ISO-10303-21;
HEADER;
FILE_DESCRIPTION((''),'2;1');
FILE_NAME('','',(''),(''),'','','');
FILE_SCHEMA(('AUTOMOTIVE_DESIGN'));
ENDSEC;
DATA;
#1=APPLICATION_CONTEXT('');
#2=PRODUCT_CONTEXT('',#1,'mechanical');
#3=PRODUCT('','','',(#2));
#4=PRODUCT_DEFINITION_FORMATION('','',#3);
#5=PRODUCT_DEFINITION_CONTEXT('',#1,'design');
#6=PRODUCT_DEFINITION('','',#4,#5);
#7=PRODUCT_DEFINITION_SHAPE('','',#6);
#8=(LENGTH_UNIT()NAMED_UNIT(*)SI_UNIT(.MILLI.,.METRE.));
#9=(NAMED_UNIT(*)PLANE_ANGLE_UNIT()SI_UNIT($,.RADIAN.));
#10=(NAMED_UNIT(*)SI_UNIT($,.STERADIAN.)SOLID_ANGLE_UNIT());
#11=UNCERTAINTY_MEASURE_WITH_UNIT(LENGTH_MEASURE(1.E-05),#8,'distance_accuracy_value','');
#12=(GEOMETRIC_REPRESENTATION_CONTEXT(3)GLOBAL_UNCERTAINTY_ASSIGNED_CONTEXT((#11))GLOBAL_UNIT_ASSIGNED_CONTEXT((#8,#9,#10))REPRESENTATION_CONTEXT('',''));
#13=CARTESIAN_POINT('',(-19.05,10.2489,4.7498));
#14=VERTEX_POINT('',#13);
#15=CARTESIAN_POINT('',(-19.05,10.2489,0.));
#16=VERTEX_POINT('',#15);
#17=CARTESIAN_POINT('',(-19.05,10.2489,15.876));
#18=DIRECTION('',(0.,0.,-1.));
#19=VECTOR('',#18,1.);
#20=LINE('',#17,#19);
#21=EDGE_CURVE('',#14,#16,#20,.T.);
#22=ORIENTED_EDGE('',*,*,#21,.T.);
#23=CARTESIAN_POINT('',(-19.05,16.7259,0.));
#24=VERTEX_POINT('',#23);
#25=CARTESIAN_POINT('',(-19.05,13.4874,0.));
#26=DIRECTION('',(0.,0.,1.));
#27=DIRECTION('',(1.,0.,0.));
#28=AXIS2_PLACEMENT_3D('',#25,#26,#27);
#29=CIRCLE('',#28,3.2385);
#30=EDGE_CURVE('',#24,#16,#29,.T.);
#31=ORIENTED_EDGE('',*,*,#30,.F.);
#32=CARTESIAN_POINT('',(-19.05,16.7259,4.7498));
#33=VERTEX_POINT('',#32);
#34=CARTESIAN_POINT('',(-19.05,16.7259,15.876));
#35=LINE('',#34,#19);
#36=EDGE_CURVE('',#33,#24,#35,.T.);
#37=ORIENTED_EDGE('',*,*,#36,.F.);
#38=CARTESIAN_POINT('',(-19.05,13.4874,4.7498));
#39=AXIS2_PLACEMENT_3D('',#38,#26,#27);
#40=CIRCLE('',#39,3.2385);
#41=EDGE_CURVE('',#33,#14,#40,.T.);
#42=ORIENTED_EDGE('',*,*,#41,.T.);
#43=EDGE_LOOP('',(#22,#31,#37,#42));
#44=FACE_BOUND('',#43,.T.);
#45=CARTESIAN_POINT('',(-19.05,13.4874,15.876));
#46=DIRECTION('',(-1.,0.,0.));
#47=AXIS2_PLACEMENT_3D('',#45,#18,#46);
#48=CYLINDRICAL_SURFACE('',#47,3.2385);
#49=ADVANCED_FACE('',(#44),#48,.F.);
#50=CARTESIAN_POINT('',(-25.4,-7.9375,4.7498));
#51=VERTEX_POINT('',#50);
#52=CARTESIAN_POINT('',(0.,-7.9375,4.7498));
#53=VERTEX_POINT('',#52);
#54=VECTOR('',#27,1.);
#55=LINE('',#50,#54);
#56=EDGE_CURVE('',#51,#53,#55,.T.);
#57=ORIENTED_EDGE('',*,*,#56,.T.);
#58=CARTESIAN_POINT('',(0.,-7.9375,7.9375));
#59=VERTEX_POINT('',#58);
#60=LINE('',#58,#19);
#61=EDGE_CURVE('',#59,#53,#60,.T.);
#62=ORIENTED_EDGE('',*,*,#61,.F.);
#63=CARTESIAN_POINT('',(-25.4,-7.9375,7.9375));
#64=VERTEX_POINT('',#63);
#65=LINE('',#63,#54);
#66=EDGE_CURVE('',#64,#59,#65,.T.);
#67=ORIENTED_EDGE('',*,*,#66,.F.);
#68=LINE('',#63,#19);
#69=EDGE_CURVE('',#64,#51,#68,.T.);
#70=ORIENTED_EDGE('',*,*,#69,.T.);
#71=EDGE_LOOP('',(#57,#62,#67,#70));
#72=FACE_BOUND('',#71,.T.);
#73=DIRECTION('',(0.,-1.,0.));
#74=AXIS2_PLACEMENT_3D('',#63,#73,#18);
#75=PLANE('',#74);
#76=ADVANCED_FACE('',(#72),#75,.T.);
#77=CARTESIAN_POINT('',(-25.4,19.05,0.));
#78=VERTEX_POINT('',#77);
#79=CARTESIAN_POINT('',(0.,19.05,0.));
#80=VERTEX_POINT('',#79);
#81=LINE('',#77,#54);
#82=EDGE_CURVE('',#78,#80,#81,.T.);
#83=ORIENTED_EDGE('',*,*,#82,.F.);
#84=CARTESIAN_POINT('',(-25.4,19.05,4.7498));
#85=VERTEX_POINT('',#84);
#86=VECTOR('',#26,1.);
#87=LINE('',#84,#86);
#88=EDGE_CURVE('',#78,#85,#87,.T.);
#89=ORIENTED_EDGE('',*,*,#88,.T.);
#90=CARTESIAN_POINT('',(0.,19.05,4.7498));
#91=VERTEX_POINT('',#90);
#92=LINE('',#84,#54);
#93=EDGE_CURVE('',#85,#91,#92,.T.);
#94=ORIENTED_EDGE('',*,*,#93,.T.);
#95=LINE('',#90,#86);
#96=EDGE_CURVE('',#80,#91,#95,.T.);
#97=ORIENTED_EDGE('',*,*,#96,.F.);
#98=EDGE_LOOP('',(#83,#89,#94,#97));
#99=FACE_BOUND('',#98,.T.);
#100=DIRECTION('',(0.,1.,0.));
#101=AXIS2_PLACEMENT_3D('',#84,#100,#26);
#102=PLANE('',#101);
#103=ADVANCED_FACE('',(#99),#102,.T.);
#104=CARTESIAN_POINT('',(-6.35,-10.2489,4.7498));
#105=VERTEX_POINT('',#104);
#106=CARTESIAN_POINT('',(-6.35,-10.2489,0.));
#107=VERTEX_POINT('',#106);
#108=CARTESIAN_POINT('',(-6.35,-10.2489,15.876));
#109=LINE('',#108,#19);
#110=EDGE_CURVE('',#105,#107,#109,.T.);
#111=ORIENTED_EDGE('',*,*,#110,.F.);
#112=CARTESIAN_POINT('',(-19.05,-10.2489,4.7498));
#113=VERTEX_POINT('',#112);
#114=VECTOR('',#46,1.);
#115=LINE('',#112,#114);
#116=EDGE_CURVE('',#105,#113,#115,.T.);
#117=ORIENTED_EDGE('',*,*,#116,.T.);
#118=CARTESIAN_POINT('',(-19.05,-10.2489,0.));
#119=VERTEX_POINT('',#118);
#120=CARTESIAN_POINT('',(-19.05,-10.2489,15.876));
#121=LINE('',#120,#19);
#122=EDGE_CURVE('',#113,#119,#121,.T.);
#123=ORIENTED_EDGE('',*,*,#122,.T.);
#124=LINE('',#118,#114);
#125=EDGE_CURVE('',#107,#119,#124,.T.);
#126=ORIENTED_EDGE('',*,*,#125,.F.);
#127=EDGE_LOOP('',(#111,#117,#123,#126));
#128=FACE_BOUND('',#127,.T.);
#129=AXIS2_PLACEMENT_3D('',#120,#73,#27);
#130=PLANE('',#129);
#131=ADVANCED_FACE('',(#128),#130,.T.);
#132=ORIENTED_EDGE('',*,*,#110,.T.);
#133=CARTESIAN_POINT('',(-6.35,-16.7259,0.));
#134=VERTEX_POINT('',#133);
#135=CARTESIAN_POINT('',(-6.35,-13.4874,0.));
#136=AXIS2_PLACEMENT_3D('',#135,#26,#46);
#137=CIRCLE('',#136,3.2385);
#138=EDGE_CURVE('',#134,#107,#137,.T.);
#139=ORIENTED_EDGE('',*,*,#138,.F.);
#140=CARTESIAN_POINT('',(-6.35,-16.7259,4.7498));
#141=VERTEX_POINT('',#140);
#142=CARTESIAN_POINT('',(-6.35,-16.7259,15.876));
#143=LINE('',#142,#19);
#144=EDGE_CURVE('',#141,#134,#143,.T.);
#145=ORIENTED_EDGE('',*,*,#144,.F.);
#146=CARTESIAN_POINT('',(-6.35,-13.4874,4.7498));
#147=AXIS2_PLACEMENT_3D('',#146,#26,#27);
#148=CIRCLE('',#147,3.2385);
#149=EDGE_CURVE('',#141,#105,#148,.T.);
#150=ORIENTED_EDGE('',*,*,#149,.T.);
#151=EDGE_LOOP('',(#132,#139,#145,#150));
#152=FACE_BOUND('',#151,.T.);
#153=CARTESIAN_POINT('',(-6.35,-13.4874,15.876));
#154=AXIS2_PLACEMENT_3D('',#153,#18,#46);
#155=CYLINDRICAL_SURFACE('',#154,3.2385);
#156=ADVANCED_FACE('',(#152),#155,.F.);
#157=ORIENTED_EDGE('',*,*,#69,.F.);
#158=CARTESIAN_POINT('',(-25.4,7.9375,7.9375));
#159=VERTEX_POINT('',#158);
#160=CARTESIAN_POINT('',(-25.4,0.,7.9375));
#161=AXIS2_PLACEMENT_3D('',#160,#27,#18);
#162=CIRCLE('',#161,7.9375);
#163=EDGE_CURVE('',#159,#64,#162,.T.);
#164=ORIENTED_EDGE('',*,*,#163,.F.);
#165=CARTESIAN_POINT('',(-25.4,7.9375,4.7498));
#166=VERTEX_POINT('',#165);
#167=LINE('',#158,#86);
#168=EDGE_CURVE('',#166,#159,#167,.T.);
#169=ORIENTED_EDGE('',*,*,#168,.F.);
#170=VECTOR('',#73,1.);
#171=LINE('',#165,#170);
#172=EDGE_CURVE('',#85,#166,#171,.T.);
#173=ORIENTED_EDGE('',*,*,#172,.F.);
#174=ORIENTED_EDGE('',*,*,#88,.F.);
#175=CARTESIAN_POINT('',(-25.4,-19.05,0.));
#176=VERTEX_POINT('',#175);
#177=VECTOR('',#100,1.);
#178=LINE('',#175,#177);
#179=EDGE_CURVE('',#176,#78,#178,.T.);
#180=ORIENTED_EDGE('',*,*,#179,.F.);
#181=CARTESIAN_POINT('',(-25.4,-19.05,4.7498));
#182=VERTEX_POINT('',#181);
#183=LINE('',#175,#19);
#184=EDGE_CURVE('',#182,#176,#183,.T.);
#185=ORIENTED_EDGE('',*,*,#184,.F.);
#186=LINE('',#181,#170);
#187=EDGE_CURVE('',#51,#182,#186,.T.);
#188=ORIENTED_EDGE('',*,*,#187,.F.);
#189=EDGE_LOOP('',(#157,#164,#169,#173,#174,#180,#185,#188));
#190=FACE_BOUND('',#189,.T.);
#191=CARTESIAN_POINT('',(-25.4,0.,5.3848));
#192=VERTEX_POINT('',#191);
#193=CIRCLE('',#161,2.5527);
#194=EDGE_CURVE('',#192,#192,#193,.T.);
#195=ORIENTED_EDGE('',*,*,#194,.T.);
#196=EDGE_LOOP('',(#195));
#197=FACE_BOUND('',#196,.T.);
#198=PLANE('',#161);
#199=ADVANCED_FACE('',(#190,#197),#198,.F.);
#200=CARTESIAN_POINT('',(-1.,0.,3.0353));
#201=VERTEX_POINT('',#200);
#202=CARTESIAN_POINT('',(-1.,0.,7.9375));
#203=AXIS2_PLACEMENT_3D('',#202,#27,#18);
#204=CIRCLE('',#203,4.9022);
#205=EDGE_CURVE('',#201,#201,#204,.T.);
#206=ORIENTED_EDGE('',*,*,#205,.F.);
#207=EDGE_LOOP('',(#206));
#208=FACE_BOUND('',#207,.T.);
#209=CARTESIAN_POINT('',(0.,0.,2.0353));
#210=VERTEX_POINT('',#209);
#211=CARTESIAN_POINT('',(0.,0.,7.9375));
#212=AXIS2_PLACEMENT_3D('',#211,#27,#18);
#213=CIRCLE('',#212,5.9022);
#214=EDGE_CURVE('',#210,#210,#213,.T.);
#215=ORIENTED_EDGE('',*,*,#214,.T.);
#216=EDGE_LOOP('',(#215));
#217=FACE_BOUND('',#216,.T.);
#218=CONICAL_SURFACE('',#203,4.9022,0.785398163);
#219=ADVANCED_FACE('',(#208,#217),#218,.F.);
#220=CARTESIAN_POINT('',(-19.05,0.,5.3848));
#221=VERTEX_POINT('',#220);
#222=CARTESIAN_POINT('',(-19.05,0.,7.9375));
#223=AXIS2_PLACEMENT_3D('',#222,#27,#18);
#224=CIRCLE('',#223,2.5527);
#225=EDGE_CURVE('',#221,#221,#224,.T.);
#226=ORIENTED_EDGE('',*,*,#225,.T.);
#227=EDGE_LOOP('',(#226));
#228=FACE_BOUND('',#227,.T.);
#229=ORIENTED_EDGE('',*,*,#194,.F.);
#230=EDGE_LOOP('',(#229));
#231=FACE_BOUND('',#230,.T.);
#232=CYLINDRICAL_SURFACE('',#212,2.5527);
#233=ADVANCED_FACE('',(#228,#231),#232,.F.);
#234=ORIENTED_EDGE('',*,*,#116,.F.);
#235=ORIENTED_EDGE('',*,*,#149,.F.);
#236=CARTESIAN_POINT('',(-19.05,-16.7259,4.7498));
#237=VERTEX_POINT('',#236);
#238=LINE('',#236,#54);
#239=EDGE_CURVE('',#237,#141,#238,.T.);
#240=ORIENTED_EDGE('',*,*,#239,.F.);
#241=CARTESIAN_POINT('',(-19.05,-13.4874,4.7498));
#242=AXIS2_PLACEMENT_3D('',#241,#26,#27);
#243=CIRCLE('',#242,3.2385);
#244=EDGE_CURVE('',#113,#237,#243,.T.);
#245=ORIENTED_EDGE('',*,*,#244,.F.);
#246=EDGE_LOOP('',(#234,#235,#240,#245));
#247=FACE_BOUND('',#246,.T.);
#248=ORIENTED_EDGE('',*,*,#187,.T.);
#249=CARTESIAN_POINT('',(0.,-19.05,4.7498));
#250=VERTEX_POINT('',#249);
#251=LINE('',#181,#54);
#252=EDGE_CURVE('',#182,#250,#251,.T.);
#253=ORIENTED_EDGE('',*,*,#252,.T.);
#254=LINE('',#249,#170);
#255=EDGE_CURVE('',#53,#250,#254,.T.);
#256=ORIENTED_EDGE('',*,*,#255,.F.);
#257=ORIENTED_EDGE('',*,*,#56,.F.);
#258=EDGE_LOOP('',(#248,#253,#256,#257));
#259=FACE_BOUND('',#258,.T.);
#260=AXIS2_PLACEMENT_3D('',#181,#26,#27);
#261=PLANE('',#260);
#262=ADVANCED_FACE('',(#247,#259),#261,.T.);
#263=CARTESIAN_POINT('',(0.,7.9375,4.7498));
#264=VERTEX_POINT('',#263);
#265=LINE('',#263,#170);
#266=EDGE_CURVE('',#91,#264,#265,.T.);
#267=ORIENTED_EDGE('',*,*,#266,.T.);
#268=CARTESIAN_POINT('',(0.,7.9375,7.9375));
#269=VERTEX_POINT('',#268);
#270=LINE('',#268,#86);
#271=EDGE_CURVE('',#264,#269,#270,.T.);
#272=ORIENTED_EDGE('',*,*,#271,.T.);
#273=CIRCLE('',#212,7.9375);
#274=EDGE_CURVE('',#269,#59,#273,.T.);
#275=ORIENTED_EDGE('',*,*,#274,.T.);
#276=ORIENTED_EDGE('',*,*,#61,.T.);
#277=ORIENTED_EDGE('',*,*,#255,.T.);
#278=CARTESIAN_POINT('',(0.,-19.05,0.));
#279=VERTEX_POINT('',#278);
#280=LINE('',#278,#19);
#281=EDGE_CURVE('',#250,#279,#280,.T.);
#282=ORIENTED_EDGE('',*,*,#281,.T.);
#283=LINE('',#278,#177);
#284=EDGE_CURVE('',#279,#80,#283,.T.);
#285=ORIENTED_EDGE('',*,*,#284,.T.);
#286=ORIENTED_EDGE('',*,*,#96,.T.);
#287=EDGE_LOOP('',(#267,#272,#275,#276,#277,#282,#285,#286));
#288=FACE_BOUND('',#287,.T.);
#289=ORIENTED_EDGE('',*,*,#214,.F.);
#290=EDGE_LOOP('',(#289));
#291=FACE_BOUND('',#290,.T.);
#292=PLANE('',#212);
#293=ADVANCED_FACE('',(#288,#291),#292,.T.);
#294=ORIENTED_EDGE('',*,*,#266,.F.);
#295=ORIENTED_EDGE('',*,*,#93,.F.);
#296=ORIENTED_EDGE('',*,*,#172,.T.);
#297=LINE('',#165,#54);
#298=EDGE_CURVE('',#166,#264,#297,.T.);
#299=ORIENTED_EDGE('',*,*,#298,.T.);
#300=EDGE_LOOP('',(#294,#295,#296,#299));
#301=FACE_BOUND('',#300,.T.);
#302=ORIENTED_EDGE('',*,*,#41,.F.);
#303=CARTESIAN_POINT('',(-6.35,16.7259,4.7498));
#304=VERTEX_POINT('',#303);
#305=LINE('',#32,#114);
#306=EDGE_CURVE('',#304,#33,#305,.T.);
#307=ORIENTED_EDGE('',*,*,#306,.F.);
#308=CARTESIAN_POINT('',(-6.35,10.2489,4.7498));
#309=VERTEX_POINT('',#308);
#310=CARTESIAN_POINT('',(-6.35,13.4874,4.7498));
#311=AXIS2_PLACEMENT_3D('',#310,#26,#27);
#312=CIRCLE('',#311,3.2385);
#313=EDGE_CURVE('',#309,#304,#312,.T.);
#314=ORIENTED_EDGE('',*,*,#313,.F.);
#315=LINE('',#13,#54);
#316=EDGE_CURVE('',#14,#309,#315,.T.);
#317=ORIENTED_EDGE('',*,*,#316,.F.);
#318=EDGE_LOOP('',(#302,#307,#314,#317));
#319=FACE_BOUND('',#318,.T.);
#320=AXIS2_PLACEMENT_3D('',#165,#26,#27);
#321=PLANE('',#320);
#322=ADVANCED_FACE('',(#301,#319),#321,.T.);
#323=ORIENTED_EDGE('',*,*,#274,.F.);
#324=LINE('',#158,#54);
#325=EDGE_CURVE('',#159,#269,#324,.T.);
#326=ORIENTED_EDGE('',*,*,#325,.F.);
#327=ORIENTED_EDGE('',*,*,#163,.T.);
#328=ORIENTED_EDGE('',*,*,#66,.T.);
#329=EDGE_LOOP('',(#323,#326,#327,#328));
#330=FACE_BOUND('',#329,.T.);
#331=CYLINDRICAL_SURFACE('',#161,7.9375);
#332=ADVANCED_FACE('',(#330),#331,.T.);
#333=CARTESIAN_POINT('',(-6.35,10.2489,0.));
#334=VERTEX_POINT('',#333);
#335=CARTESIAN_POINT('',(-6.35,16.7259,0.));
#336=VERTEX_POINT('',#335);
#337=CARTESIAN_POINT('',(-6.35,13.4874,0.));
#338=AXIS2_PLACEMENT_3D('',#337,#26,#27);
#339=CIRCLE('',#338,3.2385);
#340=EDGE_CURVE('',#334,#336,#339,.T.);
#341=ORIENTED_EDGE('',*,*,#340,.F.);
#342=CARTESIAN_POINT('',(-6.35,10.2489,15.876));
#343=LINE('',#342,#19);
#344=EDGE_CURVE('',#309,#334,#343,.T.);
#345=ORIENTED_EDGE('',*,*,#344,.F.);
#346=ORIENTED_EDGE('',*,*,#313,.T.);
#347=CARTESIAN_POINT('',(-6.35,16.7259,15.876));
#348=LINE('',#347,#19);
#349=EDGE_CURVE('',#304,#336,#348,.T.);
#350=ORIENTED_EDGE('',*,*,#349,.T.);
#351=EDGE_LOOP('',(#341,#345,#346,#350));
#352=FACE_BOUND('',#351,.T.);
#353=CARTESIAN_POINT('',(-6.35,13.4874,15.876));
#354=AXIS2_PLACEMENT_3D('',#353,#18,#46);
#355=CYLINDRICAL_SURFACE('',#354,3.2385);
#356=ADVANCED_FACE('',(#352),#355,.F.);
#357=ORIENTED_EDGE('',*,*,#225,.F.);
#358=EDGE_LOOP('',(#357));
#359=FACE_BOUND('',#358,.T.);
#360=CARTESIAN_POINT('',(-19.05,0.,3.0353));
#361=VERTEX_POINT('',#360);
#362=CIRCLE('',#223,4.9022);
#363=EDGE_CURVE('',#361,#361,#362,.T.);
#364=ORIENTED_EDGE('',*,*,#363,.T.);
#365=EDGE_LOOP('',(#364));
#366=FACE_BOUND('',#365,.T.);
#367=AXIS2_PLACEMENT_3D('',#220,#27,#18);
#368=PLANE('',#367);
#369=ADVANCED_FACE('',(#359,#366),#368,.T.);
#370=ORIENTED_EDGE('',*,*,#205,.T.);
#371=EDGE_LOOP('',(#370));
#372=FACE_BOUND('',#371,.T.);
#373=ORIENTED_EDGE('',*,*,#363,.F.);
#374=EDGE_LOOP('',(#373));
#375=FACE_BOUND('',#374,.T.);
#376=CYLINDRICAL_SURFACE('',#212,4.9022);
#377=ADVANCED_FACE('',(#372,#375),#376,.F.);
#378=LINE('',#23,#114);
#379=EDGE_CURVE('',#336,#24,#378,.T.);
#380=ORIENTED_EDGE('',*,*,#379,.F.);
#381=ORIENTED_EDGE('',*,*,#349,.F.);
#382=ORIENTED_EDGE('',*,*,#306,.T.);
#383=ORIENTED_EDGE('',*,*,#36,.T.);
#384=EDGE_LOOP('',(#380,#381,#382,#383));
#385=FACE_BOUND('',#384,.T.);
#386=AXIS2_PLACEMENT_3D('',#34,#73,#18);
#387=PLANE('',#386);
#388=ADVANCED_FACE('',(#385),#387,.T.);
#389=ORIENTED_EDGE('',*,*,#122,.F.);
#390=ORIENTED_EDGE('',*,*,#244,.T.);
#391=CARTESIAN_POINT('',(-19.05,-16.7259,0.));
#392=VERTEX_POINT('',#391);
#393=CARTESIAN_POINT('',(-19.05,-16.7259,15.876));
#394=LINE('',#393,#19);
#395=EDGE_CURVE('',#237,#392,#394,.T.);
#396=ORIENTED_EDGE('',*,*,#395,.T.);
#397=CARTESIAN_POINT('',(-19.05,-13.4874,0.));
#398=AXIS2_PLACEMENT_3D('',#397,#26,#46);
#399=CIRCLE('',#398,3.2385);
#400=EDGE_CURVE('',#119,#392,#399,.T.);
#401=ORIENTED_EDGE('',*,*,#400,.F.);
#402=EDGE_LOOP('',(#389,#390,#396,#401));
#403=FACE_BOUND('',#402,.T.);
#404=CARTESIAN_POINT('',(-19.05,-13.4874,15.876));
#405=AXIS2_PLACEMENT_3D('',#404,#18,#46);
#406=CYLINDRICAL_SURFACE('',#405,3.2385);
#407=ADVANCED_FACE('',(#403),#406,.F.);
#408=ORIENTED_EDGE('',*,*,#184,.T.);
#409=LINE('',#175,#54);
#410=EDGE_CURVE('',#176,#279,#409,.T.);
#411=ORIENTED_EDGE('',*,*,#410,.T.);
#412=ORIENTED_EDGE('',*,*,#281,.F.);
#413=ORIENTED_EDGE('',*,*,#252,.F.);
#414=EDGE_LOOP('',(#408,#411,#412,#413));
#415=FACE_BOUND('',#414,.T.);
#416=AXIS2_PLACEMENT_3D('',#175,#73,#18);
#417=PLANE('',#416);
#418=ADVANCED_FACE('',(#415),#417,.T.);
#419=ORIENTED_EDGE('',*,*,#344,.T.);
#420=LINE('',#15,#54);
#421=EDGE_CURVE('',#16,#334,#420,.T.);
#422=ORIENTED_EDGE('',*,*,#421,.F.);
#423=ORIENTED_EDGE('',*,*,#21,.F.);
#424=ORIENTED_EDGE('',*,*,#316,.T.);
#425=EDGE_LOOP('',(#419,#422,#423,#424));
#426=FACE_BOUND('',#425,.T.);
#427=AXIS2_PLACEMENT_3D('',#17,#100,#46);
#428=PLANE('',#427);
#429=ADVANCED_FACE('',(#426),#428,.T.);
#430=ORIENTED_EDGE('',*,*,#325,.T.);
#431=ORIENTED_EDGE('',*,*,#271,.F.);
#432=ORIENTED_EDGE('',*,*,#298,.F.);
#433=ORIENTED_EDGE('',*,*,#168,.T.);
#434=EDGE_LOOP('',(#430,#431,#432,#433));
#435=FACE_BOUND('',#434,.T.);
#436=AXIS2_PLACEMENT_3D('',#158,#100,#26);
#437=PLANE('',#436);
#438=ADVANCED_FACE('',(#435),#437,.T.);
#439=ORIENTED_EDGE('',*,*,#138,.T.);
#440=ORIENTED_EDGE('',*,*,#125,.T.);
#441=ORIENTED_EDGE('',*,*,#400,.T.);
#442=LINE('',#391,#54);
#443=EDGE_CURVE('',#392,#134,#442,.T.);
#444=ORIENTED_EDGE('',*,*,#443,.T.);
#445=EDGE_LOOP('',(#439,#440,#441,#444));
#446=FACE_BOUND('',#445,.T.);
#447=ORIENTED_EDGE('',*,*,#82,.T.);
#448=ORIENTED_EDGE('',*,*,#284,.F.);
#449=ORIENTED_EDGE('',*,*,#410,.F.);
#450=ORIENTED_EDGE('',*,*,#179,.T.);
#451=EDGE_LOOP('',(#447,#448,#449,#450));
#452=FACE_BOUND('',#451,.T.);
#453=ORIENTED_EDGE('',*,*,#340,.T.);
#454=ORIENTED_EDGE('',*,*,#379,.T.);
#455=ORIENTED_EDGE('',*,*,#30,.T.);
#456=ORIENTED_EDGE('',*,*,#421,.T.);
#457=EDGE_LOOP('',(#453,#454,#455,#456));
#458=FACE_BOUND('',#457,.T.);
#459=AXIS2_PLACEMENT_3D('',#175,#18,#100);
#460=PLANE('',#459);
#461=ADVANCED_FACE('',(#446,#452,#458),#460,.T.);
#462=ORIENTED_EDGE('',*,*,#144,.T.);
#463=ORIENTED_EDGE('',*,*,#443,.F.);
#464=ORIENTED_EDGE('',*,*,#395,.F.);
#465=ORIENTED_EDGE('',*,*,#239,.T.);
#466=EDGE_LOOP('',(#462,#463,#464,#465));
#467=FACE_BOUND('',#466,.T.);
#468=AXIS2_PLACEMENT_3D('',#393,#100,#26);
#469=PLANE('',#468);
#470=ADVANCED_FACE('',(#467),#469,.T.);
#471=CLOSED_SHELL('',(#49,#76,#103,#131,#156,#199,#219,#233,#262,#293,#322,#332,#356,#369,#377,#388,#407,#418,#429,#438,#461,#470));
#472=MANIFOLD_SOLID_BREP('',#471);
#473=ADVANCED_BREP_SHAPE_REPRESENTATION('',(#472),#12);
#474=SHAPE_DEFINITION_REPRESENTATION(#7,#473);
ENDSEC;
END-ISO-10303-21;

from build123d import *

# Parameters (mm, degrees)
BOSS_EXTRUDE1_DEPTH = 25.4
CUT_EXTRUDE2_REACH  = 37.498


with BuildPart() as part:
    # Sketch1 → Boss-Extrude1 (new body)
    with BuildSketch(Plane(origin=(0, 0, 0), x_dir=(0, 0, -1), z_dir=(1, 0, 0))):
        with BuildLine():
            Line((0, -19.05), (0, 19.05))
            Line((0, 19.05), (-4.7498, 19.05))
            Line((-4.7498, 19.05), (-4.7498, 7.9375))
            Line((-4.7498, 7.9375), (-7.9375, 7.9375))
            ThreePointArc((-7.9375, 7.9375), (-15.875, 0), (-7.9375, -7.9375))
            Line((-7.9375, -7.9375), (-4.7498, -7.9375))
            Line((-4.7498, -7.9375), (-4.7498, -19.05))
            Line((-4.7498, -19.05), (0, -19.05))
        make_face()
    extrude(amount=-BOSS_EXTRUDE1_DEPTH)

    # Sketch2 → Cut-Revolve1 (revolve, cut)
    with BuildSketch(Plane(origin=(0, 0, 0), x_dir=(1, 0, 0), z_dir=(0, 1, 0)), mode=Mode.PRIVATE) as cut_revolve1_sk:
        Polygon((-25.4, -7.9375), (-25.4, -10.4902), (-19.05, -10.4902), (-19.05, -12.8397), (-1, -12.8397), (0, -13.8397), (0, -7.9375), align=None)
    revolve(cut_revolve1_sk.sketch.rotate(Axis((0, 0, 7.9375), (-1, 0, 0)), 180), axis=Axis((0, 0, 7.9375), (-1, 0, 0)), mode=Mode.SUBTRACT)

    # Sketch3 → Cut-Extrude2 (cut, up to next)
    with BuildSketch(Plane.XY, mode=Mode.PRIVATE) as cut_extrude2_sk1:
        with BuildLine():
            Line((-19.05, 16.7259), (-6.35, 16.7259))
            ThreePointArc((-6.35, 16.7259), (-3.1115, 13.4874), (-6.35, 10.2489))
            Line((-6.35, 10.2489), (-19.05, 10.2489))
            ThreePointArc((-19.05, 10.2489), (-22.2885, 13.4874), (-19.05, 16.7259))
        make_face()
    cut_extrude2_tool1 = extrude(cut_extrude2_sk1.sketch, amount=CUT_EXTRUDE2_REACH, mode=Mode.PRIVATE) & part.part
    # Sketch3 → Cut-Extrude2 (cut, up to next)
    with BuildSketch(Plane.XY, mode=Mode.PRIVATE) as cut_extrude2_sk2:
        with BuildLine():
            Line((-19.05, -16.7259), (-6.35, -16.7259))
            ThreePointArc((-6.35, -16.7259), (-3.1115, -13.4874), (-6.35, -10.2489))
            Line((-6.35, -10.2489), (-19.05, -10.2489))
            ThreePointArc((-19.05, -10.2489), (-22.2885, -13.4874), (-19.05, -16.7259))
        make_face()
    cut_extrude2_tool2 = extrude(cut_extrude2_sk2.sketch, amount=CUT_EXTRUDE2_REACH, mode=Mode.PRIVATE) & part.part
    add(cut_extrude2_tool1.solids().sort_by_distance((-12.7, 13.4874, 0))[0], mode=Mode.SUBTRACT)
    add(cut_extrude2_tool2.solids().sort_by_distance((-12.7, -13.4874, 0))[0], mode=Mode.SUBTRACT)


solid = part.part
